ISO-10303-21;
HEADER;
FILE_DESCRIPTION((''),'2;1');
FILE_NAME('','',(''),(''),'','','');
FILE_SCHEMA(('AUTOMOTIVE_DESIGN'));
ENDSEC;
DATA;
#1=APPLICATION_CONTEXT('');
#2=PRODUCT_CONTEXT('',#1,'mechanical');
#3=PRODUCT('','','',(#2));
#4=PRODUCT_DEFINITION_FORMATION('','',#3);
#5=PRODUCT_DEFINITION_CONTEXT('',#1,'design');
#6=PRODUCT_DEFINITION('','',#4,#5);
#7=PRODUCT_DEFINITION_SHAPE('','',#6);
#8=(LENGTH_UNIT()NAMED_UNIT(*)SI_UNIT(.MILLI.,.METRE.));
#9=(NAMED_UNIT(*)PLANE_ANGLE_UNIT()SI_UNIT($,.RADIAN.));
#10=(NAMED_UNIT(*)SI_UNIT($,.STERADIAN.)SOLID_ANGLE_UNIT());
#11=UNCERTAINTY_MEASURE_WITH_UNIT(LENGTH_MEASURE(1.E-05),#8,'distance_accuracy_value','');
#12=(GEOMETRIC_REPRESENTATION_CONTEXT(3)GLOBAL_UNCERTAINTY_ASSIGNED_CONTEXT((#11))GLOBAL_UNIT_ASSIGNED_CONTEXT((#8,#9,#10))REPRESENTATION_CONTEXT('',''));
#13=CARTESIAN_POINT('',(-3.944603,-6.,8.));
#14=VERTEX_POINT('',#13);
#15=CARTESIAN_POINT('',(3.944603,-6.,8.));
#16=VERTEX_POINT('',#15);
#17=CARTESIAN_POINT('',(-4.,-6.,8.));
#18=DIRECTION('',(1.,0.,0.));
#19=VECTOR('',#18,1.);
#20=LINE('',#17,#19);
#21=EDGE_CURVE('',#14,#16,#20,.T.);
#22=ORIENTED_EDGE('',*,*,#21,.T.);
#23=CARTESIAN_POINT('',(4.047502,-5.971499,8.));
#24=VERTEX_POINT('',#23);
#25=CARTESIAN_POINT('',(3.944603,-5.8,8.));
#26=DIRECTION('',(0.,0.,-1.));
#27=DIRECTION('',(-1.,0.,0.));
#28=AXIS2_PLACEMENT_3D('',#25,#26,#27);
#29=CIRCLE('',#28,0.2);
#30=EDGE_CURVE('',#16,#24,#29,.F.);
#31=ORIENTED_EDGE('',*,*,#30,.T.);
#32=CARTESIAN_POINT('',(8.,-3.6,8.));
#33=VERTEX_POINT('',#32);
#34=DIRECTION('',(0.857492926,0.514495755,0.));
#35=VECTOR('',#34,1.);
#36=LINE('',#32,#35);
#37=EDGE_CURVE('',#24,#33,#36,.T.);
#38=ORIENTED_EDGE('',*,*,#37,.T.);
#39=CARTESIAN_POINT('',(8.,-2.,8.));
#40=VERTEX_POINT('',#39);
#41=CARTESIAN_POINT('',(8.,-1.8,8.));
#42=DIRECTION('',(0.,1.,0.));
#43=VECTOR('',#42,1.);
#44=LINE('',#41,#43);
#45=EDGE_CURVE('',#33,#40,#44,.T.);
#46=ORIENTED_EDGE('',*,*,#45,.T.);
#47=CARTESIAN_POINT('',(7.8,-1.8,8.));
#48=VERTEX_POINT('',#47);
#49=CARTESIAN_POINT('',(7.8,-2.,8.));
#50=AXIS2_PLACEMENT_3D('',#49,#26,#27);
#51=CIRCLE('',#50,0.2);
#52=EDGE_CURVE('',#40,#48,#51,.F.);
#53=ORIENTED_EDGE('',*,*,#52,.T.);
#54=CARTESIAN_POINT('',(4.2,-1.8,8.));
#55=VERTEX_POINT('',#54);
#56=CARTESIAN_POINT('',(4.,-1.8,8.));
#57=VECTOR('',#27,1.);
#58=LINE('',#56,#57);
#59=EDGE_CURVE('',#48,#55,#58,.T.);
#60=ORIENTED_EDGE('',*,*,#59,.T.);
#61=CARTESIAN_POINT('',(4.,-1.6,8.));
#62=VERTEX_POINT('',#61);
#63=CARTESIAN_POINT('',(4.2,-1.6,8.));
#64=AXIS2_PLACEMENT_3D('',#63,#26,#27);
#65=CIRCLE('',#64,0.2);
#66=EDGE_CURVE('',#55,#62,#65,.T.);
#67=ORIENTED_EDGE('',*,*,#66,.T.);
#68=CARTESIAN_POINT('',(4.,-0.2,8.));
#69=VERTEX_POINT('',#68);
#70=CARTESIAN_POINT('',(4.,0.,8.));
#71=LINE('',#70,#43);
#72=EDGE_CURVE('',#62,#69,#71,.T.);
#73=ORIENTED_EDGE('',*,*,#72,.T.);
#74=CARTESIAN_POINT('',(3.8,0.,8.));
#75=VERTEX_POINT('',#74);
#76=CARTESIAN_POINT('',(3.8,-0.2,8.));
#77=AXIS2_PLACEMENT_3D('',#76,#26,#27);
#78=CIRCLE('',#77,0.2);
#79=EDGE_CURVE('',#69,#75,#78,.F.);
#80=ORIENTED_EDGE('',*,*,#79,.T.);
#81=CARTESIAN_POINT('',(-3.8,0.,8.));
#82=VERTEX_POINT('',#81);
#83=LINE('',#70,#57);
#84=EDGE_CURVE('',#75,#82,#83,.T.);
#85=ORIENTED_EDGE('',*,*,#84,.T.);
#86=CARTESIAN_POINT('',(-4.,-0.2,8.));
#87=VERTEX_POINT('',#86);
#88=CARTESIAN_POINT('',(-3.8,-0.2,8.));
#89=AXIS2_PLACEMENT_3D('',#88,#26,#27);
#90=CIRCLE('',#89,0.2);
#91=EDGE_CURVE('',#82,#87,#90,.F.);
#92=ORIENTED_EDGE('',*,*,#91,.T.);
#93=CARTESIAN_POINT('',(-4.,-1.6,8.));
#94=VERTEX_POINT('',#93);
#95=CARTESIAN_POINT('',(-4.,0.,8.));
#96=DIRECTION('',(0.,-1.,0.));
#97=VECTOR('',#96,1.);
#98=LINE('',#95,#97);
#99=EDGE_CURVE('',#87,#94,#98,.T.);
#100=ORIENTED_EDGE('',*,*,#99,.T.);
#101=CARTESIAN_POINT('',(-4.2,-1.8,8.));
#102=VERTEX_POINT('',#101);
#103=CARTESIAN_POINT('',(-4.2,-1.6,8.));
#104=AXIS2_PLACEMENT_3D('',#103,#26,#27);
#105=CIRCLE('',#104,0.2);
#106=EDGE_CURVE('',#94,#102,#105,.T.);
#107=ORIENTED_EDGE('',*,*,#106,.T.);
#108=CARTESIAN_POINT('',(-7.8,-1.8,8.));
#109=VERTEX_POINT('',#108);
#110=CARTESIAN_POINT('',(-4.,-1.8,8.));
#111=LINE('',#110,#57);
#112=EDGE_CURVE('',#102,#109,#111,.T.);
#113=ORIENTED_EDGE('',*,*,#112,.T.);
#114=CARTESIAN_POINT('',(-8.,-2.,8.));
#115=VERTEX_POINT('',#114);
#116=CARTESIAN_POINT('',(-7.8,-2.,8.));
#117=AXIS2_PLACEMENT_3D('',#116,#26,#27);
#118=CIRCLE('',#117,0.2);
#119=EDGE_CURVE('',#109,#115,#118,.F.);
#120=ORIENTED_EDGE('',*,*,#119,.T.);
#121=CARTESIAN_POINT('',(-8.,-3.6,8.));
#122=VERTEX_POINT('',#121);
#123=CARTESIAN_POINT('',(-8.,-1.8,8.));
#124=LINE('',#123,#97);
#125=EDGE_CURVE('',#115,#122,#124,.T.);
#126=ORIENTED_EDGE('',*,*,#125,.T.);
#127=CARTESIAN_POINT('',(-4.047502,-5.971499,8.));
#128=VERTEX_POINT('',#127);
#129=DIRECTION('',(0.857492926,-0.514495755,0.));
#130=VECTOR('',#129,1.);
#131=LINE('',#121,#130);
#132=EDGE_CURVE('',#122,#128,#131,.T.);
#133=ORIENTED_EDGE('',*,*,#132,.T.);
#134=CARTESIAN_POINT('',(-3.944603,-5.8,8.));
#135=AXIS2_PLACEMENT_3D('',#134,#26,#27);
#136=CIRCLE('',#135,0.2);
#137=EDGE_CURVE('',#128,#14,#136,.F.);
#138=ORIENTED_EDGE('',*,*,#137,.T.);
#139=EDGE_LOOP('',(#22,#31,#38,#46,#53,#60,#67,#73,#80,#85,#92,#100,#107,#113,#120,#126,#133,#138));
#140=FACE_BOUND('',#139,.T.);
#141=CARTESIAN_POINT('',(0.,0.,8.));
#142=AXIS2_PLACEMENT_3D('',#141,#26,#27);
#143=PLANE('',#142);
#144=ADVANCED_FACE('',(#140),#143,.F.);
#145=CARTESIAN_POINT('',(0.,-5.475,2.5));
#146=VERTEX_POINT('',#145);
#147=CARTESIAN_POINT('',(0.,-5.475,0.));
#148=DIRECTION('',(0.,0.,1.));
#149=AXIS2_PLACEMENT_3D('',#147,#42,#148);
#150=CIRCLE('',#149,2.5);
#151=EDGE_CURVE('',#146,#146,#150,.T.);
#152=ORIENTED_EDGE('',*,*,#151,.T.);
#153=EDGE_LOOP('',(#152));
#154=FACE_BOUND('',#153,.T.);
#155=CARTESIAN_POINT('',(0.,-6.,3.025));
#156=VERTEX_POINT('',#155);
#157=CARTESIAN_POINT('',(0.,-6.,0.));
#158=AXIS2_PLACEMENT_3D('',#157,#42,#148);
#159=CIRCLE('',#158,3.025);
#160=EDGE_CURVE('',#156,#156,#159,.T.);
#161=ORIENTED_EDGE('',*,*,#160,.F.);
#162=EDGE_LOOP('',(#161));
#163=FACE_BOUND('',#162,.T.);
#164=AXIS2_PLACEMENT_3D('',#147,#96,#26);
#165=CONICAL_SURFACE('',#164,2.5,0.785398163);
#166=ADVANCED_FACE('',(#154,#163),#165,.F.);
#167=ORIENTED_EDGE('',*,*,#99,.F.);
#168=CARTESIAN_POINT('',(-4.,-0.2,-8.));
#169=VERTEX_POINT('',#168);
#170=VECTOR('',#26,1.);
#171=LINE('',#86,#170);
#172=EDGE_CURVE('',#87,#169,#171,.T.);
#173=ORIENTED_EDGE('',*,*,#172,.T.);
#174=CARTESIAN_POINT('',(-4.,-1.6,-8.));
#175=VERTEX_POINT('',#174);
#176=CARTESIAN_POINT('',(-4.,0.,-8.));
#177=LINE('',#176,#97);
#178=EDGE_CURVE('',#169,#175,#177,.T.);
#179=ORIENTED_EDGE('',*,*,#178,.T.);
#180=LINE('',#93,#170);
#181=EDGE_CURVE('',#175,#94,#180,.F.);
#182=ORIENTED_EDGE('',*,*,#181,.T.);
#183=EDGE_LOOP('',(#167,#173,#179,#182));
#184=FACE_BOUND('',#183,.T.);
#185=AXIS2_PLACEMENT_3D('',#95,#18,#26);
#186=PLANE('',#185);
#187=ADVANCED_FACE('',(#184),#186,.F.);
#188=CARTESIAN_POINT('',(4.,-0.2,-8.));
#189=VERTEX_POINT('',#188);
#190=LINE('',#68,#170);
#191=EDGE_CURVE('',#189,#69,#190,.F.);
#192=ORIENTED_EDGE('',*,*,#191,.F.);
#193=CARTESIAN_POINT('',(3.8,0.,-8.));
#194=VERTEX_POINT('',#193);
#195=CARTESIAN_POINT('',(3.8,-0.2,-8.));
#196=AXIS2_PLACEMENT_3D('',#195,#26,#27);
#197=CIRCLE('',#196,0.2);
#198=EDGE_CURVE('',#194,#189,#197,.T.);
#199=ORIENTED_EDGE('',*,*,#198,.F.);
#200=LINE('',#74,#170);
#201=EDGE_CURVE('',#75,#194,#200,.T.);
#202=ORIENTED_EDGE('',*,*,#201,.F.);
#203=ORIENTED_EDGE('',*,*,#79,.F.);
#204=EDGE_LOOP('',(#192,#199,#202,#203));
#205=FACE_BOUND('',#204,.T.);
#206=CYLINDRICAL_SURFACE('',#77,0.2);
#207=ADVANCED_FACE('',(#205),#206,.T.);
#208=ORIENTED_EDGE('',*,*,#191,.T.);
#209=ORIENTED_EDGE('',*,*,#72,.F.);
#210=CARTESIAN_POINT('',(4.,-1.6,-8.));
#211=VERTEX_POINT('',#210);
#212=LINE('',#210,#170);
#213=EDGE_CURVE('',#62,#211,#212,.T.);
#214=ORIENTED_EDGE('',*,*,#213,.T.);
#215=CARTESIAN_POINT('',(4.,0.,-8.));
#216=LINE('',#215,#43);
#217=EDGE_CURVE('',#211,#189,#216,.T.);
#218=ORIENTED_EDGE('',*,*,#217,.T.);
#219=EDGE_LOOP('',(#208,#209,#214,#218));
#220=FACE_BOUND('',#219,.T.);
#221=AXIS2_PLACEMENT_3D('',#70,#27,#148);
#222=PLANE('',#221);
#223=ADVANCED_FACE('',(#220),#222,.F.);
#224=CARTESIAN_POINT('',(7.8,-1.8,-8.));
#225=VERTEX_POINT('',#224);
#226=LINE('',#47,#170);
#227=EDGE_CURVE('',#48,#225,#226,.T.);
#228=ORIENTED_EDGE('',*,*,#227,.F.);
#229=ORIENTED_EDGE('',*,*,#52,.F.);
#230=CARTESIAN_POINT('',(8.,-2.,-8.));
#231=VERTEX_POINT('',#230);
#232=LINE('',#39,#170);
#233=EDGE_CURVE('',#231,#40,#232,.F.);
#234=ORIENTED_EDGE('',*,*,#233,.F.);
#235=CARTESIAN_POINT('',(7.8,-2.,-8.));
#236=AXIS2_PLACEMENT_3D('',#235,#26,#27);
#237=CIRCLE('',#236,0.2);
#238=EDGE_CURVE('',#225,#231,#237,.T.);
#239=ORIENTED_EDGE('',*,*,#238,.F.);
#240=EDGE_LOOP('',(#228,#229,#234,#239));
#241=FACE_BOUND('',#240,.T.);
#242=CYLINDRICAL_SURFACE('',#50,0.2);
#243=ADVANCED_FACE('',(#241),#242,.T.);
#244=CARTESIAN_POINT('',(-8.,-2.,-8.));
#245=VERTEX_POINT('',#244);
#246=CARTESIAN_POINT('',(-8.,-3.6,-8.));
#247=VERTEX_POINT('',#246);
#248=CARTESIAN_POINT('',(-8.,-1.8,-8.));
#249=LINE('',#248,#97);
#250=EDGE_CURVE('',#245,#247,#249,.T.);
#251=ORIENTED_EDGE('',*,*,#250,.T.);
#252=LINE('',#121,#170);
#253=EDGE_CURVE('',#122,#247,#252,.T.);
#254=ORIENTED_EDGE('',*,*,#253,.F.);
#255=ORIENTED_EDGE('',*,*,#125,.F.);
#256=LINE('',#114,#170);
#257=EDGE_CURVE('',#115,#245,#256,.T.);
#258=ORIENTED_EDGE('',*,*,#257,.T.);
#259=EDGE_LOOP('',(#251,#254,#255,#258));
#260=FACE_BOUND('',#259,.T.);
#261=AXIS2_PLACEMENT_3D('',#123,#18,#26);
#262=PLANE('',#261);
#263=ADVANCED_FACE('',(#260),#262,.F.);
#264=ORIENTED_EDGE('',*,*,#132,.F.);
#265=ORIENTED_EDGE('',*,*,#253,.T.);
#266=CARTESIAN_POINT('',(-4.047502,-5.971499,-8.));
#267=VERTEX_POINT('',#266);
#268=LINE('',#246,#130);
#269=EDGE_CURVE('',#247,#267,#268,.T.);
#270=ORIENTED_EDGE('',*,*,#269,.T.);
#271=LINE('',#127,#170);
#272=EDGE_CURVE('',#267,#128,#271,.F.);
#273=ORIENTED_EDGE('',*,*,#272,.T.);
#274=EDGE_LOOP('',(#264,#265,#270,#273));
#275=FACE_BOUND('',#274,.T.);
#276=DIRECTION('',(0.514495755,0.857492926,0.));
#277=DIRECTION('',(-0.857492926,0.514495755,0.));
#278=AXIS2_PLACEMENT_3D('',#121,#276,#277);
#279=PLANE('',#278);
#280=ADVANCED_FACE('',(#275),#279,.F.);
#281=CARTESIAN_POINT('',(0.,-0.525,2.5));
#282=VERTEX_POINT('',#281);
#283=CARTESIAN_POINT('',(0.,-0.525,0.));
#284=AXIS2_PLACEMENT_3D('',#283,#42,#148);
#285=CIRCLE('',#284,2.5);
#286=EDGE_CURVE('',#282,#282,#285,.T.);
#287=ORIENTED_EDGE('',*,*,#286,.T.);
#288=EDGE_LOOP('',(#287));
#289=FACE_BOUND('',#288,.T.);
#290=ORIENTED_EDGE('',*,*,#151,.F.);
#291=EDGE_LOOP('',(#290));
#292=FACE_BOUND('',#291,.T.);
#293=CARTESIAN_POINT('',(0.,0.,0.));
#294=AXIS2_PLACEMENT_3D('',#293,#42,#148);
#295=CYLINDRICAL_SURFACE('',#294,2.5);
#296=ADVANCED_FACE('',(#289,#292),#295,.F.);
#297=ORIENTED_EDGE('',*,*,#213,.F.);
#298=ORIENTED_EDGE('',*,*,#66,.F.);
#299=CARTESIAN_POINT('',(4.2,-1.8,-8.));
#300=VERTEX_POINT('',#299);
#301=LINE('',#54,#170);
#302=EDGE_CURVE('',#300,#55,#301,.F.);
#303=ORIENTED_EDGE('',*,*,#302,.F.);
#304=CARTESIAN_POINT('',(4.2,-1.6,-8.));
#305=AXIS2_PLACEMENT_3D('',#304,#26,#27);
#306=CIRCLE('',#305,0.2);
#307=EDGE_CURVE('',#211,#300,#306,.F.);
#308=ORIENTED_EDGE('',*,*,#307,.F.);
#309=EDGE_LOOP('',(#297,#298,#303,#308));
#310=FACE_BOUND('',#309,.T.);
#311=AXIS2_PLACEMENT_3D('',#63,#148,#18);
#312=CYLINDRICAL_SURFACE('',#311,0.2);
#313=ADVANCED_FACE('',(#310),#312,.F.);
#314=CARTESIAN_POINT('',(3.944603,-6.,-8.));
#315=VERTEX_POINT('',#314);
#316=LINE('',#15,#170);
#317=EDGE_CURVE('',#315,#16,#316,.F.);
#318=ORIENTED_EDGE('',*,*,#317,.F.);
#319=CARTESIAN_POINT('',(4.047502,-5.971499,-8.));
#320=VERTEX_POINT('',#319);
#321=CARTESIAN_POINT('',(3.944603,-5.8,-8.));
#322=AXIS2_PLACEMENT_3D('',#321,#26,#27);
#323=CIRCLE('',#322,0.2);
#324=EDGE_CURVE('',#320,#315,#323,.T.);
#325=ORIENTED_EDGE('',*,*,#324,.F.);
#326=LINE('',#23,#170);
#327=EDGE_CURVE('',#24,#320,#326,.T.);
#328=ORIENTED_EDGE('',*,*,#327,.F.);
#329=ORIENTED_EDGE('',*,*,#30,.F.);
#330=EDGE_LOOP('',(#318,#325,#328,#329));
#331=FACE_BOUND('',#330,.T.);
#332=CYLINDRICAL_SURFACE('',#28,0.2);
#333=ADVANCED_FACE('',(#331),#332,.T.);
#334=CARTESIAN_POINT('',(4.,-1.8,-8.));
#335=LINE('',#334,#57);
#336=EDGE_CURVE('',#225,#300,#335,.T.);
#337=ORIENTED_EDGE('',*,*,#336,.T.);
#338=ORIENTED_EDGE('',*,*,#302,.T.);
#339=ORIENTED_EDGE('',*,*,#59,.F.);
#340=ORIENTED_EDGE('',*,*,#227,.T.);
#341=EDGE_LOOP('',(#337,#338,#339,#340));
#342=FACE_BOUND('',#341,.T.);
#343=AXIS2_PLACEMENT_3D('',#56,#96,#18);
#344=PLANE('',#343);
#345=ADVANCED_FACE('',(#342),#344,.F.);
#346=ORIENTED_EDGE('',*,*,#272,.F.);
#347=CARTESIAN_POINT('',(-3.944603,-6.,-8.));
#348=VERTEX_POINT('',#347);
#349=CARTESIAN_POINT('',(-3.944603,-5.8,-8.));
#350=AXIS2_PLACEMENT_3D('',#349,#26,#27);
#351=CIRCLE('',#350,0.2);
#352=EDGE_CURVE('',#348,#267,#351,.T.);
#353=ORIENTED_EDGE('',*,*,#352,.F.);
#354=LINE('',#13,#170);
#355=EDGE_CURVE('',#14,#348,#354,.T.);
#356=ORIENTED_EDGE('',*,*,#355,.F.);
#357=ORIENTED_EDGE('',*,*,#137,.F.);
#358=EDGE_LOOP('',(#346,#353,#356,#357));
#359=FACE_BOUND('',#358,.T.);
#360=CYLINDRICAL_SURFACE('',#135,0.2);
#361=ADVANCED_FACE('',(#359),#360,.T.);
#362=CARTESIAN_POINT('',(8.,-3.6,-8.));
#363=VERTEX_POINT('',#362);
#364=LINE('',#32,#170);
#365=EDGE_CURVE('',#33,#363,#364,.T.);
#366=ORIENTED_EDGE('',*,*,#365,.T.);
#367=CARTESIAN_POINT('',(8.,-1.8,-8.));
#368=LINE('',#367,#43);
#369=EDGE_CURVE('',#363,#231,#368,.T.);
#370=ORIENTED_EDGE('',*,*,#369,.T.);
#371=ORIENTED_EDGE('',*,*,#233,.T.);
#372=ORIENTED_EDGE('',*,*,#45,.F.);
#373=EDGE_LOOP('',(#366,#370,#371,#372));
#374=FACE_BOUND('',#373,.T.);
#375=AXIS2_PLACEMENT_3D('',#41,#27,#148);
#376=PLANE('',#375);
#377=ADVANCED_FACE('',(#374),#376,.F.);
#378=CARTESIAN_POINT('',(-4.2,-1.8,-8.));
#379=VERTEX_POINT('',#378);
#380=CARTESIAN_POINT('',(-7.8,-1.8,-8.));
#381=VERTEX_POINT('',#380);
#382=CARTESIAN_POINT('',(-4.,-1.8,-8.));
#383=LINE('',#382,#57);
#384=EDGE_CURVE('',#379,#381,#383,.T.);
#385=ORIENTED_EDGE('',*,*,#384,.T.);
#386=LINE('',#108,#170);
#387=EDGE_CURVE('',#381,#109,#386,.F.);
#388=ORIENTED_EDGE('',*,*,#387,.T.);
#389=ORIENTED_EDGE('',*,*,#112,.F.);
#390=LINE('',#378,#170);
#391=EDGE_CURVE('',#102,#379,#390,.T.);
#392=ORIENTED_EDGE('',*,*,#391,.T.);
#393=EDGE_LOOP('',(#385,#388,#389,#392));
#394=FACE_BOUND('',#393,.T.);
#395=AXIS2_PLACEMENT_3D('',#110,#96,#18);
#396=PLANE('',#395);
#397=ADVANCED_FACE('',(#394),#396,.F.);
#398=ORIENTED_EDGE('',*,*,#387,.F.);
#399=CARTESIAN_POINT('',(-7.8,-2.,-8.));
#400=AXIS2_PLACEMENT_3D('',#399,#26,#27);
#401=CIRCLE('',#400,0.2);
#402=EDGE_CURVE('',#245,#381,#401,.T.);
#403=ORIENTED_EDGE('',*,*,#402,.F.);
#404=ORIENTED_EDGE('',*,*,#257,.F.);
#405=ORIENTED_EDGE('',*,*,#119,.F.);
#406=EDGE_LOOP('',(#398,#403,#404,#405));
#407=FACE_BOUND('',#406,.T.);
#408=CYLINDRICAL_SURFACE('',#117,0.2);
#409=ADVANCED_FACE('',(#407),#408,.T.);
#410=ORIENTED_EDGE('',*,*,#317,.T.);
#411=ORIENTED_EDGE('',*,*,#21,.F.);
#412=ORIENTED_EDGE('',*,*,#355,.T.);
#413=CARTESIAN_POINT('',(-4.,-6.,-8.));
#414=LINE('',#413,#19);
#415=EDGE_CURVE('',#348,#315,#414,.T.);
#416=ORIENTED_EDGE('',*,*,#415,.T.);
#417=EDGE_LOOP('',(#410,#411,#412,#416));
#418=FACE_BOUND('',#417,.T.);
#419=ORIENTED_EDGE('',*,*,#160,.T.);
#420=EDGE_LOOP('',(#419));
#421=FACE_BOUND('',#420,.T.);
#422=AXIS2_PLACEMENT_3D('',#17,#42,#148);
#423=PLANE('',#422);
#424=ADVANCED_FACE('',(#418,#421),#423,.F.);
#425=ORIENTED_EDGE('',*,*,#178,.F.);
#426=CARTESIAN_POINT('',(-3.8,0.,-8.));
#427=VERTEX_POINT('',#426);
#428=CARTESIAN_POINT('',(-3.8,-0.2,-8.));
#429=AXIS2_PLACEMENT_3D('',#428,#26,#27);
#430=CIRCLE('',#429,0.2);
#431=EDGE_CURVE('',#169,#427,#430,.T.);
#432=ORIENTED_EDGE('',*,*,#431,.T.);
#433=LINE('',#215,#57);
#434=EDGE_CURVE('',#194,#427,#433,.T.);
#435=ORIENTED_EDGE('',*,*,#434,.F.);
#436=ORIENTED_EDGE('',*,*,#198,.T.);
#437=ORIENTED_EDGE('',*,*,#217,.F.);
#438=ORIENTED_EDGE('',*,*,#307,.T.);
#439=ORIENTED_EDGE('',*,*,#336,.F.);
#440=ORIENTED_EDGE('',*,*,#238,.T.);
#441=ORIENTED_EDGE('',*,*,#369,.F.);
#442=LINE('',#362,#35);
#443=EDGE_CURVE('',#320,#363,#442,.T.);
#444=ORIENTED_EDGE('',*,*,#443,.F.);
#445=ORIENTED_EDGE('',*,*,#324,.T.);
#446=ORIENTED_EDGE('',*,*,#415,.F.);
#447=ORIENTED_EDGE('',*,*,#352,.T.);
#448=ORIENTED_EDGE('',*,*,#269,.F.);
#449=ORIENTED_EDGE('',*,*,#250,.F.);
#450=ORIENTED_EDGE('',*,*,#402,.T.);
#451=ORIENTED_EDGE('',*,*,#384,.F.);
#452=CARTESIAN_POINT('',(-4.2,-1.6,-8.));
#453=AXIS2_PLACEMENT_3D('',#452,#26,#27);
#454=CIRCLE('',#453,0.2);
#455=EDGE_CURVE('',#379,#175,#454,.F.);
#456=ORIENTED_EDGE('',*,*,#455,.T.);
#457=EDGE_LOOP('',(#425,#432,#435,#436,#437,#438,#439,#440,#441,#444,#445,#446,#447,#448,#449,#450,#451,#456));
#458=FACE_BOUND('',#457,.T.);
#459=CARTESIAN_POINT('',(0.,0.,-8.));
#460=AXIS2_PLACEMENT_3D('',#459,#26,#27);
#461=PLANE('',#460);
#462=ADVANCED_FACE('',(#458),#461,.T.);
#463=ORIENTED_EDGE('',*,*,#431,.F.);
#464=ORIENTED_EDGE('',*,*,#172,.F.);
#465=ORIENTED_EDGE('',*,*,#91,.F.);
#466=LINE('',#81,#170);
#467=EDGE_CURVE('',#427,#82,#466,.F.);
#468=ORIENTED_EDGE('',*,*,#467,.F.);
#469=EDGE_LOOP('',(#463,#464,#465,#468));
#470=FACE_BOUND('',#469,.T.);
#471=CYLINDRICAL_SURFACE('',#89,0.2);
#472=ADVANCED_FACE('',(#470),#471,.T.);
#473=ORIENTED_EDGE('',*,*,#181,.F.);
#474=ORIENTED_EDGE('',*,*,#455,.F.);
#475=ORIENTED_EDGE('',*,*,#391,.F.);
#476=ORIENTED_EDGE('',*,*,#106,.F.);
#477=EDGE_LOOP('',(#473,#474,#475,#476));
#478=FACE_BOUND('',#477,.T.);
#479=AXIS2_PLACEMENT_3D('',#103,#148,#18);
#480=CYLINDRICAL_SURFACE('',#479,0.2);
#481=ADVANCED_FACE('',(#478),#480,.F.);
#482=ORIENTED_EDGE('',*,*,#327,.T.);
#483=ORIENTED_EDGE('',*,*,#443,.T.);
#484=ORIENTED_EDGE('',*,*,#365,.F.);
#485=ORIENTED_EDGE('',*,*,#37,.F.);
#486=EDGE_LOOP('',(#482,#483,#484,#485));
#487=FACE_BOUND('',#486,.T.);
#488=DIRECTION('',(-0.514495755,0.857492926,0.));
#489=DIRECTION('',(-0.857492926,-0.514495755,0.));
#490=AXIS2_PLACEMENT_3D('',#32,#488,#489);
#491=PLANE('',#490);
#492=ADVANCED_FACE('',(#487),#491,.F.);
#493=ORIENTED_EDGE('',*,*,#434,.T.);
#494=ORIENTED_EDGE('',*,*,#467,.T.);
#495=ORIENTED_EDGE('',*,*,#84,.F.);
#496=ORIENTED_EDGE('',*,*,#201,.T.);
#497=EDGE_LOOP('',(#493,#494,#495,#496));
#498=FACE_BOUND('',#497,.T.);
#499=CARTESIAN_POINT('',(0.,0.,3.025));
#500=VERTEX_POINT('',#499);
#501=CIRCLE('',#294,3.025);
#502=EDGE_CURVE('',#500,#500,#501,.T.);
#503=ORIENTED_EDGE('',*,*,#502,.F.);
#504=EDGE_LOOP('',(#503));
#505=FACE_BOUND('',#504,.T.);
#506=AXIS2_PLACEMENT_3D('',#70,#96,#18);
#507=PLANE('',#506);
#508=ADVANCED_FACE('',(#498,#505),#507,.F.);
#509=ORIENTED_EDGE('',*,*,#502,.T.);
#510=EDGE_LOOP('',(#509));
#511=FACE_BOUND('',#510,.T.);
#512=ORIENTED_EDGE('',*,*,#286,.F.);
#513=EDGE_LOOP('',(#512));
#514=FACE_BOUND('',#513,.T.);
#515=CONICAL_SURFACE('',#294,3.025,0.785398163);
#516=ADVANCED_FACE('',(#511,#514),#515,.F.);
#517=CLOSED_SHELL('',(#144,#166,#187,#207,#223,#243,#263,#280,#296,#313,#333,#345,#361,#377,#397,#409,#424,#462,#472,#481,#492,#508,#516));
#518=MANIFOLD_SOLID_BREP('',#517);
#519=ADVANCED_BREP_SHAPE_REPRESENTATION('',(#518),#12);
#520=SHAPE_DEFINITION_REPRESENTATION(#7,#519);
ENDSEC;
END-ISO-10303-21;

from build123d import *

# Parameters (mm, degrees)
EXTRUDE_1_DEPTH = 8
FILLET_1_R      = 0.2


with BuildPart() as part:
    # Эскиз1 → Бобышка-Вытянуть1 (new body, symmetric)
    with BuildSketch(Plane.XY):
        Polygon((4, 0), (-4, 0), (-4, -1.8), (-8, -1.8), (-8, -3.6), (-4, -6), (4, -6), (8, -3.6), (8, -1.8), (4, -1.8), align=None)
    extrude(amount=EXTRUDE_1_DEPTH, both=True)

    # Эскиз4 → Отверстие обработанное метчиком M62 (revolve, cut)
    with BuildSketch(Plane(origin=(0, 0, 0), x_dir=(0, 0, 1), z_dir=(1, 0, 0))):
        Polygon((0, 0), (0, 6), (3.025, 6), (2.5, 5.475), (2.5, 0.525), (3.025, 0), align=None)
    revolve(axis=Axis((0, 6.35, 0), (0, -1, 0)), mode=Mode.SUBTRACT)

    # Скругление1
    fillet_1_edges = [part.edges().sort_by_distance(p)[0] for p in [
        (-4, 0, 0),
        (4, 0, 0),
        (4, -1.8, 0),
        (8, -1.8, 0),
        (4, -6, 0),
        (-4, -6, 0),
        (-8, -1.8, 0),
        (-4, -1.8, 0),
    ]]
    fillet(fillet_1_edges, radius=FILLET_1_R)


solid = part.part
